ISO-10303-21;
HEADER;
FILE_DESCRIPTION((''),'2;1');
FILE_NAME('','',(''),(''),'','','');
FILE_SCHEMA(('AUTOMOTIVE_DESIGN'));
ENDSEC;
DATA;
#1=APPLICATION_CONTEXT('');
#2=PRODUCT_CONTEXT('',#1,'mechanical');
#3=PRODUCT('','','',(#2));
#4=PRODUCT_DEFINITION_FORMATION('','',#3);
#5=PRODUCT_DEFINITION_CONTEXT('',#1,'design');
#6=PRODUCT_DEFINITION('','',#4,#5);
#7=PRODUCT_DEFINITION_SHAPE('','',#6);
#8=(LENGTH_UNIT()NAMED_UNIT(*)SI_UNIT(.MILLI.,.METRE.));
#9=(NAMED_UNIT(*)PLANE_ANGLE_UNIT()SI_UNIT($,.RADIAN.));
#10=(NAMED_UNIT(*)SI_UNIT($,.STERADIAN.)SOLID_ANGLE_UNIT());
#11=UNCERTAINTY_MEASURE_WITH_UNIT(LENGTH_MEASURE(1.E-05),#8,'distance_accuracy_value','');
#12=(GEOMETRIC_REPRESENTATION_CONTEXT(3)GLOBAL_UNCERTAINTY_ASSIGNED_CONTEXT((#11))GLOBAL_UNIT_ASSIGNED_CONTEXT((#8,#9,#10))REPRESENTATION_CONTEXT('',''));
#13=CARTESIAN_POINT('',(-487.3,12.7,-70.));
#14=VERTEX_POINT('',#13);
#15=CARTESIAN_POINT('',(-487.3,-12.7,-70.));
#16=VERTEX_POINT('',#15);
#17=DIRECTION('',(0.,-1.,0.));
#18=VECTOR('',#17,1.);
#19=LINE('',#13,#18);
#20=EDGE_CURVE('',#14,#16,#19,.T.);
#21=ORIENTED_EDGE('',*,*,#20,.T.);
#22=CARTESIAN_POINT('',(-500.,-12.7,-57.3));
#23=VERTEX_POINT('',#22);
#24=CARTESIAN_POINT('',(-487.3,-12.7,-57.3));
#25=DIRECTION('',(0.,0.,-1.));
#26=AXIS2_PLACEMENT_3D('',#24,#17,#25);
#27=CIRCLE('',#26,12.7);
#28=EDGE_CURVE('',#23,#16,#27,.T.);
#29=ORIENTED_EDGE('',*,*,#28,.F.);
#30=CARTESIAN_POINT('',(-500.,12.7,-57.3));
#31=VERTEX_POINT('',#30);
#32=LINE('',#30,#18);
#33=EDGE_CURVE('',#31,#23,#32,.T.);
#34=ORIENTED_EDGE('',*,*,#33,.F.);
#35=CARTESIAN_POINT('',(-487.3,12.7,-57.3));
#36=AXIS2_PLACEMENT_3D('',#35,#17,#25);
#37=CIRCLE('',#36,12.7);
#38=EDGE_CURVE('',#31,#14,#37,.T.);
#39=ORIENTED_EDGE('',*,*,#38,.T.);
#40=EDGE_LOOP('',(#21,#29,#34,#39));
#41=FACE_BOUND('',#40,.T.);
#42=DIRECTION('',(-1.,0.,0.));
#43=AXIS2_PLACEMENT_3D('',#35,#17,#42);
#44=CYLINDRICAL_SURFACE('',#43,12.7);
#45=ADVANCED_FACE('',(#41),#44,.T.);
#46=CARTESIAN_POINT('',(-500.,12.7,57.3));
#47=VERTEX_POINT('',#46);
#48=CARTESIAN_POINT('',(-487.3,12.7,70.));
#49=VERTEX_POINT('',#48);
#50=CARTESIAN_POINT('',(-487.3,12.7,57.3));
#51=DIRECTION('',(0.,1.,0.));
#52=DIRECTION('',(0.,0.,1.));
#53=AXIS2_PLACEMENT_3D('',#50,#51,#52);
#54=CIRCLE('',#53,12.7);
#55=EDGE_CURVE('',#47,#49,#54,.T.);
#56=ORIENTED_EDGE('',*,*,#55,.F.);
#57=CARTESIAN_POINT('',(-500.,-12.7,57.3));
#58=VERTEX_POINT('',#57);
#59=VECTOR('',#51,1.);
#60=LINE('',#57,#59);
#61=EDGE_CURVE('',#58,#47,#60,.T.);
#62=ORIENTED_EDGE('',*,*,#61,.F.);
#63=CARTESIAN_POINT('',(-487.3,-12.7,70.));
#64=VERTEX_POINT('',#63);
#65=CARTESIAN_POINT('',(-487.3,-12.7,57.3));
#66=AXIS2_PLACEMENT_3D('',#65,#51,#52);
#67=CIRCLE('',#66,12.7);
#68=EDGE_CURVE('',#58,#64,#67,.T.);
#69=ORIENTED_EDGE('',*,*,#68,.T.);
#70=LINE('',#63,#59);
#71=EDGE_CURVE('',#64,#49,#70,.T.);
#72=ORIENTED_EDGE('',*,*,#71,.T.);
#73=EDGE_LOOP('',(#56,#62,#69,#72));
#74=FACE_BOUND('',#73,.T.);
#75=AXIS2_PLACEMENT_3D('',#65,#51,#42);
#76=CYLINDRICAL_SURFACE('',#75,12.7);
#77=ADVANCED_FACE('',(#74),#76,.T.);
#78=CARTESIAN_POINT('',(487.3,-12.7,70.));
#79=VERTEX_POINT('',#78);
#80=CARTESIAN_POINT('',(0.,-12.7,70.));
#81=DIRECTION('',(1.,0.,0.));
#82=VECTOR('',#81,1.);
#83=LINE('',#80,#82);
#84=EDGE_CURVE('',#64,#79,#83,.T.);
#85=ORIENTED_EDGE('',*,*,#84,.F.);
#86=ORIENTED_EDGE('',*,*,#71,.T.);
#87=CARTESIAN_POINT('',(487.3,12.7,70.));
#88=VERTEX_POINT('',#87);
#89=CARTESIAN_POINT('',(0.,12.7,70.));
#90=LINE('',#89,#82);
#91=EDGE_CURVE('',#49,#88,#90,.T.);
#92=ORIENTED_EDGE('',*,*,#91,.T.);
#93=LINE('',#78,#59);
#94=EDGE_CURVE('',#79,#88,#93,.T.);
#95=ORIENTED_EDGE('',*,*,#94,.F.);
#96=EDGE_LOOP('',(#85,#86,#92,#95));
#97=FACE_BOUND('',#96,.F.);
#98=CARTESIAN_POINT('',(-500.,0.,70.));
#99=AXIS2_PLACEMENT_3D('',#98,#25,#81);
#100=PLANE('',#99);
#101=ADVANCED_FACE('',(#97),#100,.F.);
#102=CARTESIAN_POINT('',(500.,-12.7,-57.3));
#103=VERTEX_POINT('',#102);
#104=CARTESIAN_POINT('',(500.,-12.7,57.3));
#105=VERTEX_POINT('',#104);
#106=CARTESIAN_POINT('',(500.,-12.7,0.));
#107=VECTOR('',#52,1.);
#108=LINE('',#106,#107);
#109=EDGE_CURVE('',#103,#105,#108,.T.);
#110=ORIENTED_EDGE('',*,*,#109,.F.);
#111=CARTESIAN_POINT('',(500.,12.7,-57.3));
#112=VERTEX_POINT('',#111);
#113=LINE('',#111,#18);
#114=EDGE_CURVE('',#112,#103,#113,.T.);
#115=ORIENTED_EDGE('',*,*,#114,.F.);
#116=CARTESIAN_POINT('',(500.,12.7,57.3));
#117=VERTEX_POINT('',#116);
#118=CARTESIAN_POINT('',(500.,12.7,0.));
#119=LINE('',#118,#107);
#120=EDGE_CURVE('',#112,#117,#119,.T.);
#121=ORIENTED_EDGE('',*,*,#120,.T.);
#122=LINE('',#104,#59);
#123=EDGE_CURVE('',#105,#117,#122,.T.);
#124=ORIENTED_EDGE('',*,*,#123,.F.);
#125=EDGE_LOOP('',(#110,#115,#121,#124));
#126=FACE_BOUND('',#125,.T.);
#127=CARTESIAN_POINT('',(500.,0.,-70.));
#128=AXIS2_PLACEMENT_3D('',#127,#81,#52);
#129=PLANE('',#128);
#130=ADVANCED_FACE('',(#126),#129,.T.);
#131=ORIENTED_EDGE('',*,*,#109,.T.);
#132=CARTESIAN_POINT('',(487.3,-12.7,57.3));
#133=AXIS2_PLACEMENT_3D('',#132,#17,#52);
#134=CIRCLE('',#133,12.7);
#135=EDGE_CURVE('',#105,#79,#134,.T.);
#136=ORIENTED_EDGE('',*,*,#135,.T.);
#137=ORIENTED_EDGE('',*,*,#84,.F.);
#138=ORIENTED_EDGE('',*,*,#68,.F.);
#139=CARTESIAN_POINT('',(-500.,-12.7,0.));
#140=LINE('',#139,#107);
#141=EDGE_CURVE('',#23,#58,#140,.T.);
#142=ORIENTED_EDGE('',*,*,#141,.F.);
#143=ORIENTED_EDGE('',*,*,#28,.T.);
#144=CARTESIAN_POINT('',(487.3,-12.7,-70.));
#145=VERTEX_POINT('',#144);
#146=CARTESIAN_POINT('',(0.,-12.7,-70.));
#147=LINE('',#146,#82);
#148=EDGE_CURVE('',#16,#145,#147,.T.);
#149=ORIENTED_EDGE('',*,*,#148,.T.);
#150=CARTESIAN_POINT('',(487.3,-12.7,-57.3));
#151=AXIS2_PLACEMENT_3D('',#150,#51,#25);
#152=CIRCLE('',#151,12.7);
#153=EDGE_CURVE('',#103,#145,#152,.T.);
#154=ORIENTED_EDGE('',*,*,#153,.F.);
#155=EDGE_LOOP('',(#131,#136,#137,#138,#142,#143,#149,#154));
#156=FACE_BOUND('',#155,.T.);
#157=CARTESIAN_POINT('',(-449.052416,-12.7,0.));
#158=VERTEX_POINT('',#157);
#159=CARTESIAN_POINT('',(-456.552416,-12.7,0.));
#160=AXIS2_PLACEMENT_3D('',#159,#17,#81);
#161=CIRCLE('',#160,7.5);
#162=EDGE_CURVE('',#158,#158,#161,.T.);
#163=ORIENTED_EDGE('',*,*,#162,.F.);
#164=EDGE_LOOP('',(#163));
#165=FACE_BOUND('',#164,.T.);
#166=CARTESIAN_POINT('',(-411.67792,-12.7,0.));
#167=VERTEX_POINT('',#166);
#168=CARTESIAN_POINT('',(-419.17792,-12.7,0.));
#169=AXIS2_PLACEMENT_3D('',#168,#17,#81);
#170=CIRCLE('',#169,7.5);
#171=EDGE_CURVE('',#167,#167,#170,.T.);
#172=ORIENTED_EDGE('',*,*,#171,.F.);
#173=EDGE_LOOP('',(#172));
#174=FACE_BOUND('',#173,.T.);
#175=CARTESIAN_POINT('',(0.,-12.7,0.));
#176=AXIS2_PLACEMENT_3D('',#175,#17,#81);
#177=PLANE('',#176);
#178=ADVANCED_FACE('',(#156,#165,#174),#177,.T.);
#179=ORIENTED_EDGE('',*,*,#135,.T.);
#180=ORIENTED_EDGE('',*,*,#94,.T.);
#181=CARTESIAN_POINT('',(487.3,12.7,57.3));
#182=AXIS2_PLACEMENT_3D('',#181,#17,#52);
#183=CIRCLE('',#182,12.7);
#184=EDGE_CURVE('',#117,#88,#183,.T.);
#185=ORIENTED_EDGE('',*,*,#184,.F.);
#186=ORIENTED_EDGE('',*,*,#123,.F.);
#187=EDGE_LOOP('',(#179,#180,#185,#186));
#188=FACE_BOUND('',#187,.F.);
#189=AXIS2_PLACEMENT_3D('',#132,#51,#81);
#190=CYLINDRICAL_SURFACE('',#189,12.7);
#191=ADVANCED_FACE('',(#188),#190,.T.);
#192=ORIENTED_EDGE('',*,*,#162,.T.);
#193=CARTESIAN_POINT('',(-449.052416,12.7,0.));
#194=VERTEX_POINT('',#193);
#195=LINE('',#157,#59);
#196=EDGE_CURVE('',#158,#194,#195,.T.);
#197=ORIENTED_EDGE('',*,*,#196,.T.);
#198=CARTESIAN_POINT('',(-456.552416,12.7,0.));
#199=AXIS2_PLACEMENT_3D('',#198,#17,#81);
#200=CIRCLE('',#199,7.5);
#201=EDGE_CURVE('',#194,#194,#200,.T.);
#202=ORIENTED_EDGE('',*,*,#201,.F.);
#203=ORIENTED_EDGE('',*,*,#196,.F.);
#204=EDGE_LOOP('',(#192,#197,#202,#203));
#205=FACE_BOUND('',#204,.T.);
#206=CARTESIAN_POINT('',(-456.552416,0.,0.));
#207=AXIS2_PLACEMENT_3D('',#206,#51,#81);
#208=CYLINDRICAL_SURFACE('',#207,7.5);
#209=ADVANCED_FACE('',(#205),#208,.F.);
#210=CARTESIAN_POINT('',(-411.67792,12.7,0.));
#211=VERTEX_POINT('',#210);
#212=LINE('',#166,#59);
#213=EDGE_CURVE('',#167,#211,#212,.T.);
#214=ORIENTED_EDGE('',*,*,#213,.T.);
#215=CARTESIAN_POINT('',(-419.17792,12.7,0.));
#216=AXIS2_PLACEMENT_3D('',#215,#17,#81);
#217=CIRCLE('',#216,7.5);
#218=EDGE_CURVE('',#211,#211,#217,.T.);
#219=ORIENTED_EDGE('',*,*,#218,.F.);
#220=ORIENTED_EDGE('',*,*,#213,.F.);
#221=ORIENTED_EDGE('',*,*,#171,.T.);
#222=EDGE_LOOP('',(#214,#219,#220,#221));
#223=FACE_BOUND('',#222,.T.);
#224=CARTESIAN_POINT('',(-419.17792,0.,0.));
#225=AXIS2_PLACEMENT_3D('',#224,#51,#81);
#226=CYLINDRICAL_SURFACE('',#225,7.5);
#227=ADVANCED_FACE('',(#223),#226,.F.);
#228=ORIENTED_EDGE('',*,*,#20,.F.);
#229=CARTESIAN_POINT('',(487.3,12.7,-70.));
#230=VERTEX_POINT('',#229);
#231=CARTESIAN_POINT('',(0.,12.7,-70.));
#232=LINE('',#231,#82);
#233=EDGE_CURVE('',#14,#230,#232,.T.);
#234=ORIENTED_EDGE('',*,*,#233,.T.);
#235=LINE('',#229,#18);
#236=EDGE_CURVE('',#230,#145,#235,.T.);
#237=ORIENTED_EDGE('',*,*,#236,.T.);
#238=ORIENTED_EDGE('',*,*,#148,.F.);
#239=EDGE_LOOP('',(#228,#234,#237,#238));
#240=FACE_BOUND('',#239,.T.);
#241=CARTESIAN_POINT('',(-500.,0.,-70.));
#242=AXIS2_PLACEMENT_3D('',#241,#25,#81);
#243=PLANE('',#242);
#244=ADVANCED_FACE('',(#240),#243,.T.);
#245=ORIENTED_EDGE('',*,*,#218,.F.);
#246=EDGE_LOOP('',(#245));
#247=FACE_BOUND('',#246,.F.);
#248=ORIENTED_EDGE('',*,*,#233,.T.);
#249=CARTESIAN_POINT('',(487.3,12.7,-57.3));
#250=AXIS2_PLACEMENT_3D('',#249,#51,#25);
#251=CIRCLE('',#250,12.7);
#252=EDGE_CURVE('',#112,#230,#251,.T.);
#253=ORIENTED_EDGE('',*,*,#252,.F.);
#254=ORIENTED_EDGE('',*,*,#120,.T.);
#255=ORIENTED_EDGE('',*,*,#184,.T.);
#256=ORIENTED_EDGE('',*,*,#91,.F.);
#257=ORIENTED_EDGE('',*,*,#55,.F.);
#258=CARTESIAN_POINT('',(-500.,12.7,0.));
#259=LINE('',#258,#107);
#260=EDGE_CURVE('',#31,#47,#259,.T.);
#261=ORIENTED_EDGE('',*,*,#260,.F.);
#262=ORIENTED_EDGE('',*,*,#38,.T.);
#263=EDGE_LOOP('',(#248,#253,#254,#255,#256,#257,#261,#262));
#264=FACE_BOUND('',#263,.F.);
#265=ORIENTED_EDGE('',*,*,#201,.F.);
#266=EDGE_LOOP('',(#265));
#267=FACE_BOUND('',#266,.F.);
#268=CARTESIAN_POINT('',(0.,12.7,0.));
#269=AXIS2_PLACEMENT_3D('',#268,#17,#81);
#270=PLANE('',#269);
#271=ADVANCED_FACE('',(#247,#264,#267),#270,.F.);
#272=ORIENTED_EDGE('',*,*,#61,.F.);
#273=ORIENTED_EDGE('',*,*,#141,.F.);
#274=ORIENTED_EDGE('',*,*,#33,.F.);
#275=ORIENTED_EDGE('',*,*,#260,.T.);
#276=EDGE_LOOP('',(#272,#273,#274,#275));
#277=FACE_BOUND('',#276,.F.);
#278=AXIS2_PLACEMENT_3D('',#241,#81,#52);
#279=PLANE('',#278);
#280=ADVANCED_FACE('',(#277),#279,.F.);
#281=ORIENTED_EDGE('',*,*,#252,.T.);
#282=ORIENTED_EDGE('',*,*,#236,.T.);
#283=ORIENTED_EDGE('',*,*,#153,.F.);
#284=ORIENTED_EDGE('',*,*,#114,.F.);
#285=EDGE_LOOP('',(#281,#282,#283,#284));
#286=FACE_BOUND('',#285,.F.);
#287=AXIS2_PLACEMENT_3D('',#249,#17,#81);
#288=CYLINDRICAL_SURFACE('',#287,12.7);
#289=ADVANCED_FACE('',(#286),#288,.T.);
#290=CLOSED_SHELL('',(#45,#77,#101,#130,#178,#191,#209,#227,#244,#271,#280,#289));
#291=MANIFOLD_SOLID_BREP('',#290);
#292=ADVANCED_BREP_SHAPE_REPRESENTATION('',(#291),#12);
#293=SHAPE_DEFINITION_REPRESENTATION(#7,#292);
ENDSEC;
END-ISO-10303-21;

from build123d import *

# Parameters (mm, degrees)
F0_W     = 1000
F0_H     = 140
F0_R     = 7.5
F1_DEPTH = 12.7
F2_R     = 12.7


with BuildPart() as f1:
    # F0 (on Front) → F1 (new body, symmetric)
    with BuildSketch(Plane.XZ):
        Rectangle(F0_W, F0_H)
        with Locations((-456.552416, 0)):
            Circle(F0_R, mode=Mode.SUBTRACT)
        with Locations((-419.17792, 0)):
            Circle(F0_R, mode=Mode.SUBTRACT)
    extrude(amount=F1_DEPTH, both=True)

    # F2
    f2_edges = [f1.edges().sort_by_distance(p)[0] for p in [
        (-500, 0, 70),
        (-500, 0, -70),
        (500, 0, 70),
        (500, 0, -70),
    ]]
    fillet(f2_edges, radius=F2_R)


solid = f1.part
